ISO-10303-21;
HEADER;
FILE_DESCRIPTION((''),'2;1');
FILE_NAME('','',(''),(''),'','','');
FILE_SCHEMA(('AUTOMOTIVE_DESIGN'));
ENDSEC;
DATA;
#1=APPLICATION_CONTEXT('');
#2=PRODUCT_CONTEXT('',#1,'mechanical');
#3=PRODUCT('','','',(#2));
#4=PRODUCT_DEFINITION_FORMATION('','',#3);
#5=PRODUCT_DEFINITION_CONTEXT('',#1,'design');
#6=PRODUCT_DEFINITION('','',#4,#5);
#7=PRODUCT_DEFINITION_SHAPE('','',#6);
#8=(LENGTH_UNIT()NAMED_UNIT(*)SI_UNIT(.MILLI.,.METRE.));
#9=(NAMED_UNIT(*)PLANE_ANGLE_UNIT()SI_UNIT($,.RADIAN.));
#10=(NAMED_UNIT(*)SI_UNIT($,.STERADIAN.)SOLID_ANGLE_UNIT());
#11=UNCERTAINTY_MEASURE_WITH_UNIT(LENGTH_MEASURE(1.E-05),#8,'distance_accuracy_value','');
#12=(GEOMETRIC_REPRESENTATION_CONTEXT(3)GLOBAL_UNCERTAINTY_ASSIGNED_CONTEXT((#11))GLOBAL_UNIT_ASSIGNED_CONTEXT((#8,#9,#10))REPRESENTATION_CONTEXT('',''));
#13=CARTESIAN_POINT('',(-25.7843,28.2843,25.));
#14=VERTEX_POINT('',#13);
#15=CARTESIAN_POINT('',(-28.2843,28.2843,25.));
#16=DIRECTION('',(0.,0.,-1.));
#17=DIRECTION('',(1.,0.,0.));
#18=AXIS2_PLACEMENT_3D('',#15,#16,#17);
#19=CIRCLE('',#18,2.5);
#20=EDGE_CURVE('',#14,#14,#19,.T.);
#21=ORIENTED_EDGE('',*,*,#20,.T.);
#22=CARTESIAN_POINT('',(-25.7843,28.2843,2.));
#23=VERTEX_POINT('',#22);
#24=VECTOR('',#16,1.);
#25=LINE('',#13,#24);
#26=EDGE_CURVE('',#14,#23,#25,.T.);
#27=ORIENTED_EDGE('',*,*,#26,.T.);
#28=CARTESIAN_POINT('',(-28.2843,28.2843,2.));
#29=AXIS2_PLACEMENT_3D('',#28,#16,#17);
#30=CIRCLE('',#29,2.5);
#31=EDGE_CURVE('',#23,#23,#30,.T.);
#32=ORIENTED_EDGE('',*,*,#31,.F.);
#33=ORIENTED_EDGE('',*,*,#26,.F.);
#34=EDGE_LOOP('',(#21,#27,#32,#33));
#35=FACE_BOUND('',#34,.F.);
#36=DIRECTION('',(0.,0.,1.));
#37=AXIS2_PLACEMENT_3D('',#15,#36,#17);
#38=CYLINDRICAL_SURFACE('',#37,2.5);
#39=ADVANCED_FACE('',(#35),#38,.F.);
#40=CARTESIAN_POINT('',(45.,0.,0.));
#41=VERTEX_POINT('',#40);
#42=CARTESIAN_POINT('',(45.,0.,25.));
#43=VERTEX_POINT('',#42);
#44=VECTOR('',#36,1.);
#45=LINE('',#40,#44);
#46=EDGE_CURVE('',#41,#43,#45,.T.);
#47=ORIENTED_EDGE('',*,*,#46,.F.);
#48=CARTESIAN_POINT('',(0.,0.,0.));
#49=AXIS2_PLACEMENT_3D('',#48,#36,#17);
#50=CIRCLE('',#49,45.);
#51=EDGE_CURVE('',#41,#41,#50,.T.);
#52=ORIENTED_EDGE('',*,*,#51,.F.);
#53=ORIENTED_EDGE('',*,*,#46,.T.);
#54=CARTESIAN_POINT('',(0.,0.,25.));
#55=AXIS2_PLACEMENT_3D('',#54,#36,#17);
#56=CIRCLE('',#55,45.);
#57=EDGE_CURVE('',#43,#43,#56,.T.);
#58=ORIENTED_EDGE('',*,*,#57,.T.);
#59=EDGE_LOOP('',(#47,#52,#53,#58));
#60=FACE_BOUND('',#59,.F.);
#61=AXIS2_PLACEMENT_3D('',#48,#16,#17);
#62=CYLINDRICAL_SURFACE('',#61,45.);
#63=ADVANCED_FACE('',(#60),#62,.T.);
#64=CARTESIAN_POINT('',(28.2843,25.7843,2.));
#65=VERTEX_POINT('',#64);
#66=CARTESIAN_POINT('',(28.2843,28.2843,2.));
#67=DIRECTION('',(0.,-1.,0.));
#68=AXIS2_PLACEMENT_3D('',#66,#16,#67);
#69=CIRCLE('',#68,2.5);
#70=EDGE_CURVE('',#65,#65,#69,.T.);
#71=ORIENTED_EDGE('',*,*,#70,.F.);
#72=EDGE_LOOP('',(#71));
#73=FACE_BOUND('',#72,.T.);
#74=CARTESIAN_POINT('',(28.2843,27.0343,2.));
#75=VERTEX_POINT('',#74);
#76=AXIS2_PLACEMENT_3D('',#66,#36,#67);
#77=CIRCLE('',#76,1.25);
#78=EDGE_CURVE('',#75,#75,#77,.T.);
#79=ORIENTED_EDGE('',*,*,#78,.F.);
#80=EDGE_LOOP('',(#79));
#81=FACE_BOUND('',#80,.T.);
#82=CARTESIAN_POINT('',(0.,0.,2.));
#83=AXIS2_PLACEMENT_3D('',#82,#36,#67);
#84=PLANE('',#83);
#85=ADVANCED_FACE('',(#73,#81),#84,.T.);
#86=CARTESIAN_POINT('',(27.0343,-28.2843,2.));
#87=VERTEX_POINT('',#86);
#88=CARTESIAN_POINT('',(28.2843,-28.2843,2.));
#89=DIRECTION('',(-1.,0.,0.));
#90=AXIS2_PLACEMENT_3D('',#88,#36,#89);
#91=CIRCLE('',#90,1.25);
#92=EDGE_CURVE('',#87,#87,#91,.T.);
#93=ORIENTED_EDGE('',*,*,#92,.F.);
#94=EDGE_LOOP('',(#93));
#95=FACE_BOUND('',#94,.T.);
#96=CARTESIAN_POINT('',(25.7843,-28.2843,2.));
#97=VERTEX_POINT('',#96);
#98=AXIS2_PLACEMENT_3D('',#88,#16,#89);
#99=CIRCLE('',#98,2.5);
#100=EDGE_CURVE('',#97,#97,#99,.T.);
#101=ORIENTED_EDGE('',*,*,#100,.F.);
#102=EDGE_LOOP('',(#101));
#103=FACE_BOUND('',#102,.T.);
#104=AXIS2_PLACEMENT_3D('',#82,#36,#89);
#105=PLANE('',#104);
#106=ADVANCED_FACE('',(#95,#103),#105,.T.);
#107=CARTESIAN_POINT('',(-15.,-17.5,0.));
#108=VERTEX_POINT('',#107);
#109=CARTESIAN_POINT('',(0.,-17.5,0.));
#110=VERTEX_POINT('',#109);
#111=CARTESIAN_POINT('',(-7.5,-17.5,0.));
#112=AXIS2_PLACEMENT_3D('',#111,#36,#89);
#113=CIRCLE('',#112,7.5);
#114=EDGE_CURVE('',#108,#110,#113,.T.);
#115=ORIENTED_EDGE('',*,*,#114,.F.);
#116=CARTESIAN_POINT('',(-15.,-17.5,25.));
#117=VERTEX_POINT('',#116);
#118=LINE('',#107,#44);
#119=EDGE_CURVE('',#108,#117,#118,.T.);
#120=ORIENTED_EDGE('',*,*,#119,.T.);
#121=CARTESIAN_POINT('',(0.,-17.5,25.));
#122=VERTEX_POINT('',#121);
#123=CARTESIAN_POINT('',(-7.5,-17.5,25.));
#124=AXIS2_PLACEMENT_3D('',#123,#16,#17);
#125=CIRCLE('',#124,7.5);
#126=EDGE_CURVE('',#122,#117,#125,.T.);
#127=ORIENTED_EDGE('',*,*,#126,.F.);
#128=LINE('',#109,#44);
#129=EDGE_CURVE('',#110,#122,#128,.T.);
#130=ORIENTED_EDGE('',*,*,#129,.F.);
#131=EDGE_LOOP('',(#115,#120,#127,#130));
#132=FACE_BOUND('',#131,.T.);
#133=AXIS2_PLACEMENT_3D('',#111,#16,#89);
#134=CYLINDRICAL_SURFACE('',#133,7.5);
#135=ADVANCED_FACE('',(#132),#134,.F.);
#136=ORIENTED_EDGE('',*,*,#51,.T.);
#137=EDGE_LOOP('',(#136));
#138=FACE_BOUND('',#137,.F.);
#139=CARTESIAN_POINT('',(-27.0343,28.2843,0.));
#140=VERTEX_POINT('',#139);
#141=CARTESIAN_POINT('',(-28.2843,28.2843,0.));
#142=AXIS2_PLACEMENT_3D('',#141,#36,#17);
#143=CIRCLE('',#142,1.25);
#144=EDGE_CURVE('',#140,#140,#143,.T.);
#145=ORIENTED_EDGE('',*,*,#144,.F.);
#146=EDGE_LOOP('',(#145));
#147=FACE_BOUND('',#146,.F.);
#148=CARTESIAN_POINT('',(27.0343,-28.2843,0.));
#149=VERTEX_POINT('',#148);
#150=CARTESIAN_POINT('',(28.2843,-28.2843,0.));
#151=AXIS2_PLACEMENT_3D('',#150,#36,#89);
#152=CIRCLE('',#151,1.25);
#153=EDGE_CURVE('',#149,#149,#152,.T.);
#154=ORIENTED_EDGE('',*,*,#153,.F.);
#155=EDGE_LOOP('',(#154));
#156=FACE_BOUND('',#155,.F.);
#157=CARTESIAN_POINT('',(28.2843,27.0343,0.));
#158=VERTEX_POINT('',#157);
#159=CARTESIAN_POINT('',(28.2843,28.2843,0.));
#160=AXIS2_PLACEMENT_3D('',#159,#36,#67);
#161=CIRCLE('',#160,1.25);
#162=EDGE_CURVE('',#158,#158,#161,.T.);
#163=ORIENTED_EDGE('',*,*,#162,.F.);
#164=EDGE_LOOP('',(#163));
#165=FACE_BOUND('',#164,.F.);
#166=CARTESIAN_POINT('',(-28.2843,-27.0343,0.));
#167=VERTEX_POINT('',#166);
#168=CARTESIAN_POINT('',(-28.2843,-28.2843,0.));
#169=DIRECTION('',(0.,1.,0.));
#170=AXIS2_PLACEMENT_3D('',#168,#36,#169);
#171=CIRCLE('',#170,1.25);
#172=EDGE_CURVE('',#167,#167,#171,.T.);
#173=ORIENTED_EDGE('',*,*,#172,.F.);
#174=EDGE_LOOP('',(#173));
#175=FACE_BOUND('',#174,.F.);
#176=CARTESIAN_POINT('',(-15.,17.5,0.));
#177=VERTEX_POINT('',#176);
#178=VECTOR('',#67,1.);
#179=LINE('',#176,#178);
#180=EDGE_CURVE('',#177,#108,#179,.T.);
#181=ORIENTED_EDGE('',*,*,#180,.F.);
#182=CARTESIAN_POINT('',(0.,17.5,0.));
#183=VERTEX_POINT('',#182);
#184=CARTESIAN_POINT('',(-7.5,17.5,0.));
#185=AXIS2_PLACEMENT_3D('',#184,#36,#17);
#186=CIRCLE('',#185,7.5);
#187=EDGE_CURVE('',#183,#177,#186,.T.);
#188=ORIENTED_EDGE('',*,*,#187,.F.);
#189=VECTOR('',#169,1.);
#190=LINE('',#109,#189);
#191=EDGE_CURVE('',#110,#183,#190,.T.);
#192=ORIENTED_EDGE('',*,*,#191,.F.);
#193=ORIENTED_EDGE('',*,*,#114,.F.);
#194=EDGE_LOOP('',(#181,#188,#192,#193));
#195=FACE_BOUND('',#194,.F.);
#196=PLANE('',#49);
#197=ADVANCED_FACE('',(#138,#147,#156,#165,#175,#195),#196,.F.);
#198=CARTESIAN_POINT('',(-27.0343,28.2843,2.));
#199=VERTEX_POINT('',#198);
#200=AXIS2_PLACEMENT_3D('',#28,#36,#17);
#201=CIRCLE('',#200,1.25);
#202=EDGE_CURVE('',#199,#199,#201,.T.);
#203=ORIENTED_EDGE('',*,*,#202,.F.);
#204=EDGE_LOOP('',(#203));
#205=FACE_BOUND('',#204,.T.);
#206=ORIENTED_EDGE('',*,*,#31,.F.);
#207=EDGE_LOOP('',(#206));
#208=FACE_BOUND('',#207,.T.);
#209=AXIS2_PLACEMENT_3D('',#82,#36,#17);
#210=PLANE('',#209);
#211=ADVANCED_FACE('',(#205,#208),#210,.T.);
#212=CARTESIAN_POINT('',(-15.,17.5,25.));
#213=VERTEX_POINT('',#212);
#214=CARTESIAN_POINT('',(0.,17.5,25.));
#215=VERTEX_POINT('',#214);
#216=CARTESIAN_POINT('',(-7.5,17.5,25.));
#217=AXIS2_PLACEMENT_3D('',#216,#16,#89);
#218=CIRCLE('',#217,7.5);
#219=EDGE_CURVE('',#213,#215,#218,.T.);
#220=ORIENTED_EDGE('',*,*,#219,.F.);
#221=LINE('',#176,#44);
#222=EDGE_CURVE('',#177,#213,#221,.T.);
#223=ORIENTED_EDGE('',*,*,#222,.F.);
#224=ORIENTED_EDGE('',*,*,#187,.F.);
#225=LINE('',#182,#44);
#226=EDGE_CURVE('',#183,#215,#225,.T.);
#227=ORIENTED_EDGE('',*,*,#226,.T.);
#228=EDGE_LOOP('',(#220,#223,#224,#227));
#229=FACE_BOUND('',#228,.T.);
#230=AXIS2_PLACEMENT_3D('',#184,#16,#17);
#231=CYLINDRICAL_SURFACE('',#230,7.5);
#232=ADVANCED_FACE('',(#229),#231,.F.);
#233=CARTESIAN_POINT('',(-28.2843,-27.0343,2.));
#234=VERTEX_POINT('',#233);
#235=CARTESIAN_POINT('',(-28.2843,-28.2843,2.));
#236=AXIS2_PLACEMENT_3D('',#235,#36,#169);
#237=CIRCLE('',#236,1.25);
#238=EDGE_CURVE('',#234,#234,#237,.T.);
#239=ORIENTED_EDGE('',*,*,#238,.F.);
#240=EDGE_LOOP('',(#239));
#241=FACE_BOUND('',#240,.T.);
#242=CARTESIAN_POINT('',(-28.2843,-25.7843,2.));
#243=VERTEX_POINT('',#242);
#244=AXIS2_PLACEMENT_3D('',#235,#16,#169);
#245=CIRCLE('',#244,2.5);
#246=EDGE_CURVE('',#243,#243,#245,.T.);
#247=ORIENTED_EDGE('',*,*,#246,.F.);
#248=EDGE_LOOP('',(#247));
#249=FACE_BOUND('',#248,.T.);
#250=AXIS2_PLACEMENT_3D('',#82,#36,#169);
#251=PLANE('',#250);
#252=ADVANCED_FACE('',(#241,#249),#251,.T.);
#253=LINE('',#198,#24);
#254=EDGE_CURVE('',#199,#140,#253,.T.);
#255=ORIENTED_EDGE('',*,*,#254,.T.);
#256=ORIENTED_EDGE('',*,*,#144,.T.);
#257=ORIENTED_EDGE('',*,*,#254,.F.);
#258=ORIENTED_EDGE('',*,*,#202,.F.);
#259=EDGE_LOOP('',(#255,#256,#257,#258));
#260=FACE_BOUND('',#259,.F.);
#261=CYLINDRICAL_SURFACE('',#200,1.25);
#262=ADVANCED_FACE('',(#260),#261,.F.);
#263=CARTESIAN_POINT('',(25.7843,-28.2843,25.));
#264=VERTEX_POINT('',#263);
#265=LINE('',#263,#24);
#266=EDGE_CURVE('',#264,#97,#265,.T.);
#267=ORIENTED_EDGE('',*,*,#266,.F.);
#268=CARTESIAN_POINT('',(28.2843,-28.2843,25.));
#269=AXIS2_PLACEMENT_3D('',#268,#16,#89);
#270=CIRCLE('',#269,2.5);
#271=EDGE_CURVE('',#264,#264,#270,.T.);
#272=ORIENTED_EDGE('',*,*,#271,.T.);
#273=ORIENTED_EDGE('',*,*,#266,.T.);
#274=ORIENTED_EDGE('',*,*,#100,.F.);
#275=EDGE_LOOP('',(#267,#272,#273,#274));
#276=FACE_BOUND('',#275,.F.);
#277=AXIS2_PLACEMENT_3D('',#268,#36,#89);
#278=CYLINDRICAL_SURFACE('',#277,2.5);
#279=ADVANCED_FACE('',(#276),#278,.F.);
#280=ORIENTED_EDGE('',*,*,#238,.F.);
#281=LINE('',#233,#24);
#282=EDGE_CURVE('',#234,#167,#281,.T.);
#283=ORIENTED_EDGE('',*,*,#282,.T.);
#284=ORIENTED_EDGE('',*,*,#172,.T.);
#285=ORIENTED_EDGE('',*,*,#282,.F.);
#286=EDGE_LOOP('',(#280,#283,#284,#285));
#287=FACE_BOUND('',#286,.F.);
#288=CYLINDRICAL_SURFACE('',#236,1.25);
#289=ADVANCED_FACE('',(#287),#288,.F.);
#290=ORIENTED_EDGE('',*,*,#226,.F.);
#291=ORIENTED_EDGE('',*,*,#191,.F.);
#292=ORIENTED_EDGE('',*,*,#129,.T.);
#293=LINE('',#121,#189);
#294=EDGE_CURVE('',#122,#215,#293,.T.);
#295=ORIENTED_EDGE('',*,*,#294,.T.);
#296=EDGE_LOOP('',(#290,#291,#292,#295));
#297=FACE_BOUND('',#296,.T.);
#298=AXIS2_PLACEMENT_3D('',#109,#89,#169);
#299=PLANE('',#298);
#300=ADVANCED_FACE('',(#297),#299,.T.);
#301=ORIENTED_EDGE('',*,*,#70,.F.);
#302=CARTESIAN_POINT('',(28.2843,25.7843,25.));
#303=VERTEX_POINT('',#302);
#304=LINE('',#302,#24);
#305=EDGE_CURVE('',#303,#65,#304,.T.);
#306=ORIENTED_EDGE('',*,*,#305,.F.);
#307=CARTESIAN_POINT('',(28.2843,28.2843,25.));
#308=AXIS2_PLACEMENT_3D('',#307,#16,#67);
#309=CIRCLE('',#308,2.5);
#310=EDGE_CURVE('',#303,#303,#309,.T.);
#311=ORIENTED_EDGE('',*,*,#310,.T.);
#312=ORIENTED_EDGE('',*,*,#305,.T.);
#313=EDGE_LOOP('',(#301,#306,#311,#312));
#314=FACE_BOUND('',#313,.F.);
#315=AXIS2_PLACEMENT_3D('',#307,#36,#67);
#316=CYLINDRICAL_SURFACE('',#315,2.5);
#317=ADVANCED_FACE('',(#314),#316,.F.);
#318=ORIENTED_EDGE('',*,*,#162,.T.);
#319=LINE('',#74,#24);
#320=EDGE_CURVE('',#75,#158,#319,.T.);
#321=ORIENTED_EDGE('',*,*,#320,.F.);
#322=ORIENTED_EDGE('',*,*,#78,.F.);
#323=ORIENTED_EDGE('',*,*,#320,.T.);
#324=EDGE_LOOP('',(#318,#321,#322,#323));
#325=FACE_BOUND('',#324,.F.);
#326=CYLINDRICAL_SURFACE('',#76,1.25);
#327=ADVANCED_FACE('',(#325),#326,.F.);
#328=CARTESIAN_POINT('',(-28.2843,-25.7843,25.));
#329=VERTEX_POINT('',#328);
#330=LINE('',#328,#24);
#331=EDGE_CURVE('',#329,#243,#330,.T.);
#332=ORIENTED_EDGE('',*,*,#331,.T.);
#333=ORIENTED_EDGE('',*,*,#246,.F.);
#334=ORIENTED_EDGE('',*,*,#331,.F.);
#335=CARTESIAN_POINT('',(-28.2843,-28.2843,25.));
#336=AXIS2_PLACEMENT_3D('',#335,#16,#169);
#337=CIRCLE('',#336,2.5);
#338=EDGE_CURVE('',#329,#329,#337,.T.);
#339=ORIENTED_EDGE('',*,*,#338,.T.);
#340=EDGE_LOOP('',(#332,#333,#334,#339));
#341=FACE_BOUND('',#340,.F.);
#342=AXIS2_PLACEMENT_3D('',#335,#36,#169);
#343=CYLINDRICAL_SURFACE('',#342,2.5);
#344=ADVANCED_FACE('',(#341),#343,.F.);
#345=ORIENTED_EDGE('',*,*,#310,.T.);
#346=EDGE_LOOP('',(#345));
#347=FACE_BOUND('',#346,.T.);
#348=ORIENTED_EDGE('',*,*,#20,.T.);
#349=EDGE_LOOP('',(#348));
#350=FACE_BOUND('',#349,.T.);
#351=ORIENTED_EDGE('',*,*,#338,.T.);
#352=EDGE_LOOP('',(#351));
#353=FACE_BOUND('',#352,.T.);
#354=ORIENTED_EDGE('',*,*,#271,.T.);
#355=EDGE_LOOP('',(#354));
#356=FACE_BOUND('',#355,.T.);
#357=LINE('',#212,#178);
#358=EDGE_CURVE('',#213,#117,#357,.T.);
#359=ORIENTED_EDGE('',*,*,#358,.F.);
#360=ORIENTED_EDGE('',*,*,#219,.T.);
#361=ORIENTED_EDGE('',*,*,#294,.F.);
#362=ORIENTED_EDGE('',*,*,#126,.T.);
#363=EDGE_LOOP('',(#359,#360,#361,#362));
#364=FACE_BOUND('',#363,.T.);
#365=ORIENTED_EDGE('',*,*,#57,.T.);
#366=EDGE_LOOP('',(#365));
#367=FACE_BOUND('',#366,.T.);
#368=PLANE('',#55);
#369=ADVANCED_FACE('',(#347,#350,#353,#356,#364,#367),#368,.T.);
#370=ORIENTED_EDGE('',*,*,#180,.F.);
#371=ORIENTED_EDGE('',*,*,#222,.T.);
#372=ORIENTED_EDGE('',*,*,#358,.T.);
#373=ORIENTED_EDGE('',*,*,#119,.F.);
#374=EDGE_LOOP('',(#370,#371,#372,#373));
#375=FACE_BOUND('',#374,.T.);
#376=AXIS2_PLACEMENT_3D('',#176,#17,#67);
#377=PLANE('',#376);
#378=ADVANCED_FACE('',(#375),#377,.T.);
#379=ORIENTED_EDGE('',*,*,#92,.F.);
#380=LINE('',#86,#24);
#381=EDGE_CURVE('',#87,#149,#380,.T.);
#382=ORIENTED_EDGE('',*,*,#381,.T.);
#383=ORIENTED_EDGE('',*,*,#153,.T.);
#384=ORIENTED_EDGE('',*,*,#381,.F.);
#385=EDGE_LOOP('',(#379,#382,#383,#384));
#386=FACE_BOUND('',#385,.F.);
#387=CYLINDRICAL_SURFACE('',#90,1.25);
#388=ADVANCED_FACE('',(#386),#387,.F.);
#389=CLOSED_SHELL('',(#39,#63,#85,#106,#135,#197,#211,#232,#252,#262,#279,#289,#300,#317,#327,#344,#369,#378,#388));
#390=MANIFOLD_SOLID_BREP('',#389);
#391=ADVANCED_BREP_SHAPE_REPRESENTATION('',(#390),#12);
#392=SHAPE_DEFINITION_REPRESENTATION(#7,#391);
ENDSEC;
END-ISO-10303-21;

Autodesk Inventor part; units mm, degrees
ref_plane "YZ Plane" through (0, 0, 0) normal (1, 0, 0) x (0, 1, 0)
ref_plane "XZ Plane" through (0, 0, 0) normal (0, 1, 0) x (-1, 0, 0)
ref_plane "XY Plane" through (0, 0, 0) normal (0, 0, 1) x (1, 0, 0)
sketch "Sketch1" plane through (0, 0, 0) normal (0, 0, 1) x (1, 0, 0)
  circle A0 centre (0, 0) radius 45
  line L0 (-7.5, 25) -> (-7.5, 25)
  line L1 (-15, 17.5) -> (-15, -17.5)
  line L2 (-7.5, -25) -> (-7.5, -25)
  line L3 (0, -17.5) -> (0, 17.5)
  arc A1 (-7.5, 25) -> (-15, 17.5) centre (-7.5, 17.5) ccw
  arc A2 (-15, -17.5) -> (-7.5, -25) centre (-7.5, -17.5) ccw
  arc A3 (-7.5, -25) -> (0, -17.5) centre (-7.5, -17.5) ccw
  arc A4 (0, 17.5) -> (-7.5, 25) centre (-7.5, 17.5) ccw
  point P0 (-15, -25)
  point P1 (-15, 25)
  point P2 (0, -25)
  dimension "d0" = 90
  dimension "d1" = 15
  dimension "d2" = 50
  dimension "d3" = 7.5
  dimension "d4" = 25
  dimension "d5" = 0
extrude "Extrusion1" add sketch "Sketch1" along normal blind 25
sketch "Sketch2" plane through (0, 0, 25) normal (0, 0, 1) x (1, 0, 0)
  line L0 (0, 0) -> (-28.2843, 28.2843)
  line L1 (0, 0) -> (40, 0) construction
  circle A0 centre (-28.2843, 28.2843) radius 2.5
  dimension "d8" = 40
  dimension "d9" = 135
  dimension "d10" = 5
extrude "Extrusion2" cut sketch "Sketch2" against normal blind 23
pattern_circular "Circular Pattern1" count 4 over 360 about axis through (0, 0, 0) along (0, 0, 1) of "Extrusion2"
sketch "Sketch3" plane through (-28.2843, 28.2843, 2) normal (0, 0, 1) x (1, 0, 0)
  circle A0 centre (0, 0) radius 1.25
  point P0 (28.2843, -28.2843)
  dimension "d16" = 2.5
extrude "Extrusion3" cut sketch "Sketch3" against normal blind 3
pattern_circular "Circular Pattern2" count 4 over 360 about axis through (0, 0, 0) along (0, 0, 1) of "Extrusion3"
properties part number "Arm Plate"
